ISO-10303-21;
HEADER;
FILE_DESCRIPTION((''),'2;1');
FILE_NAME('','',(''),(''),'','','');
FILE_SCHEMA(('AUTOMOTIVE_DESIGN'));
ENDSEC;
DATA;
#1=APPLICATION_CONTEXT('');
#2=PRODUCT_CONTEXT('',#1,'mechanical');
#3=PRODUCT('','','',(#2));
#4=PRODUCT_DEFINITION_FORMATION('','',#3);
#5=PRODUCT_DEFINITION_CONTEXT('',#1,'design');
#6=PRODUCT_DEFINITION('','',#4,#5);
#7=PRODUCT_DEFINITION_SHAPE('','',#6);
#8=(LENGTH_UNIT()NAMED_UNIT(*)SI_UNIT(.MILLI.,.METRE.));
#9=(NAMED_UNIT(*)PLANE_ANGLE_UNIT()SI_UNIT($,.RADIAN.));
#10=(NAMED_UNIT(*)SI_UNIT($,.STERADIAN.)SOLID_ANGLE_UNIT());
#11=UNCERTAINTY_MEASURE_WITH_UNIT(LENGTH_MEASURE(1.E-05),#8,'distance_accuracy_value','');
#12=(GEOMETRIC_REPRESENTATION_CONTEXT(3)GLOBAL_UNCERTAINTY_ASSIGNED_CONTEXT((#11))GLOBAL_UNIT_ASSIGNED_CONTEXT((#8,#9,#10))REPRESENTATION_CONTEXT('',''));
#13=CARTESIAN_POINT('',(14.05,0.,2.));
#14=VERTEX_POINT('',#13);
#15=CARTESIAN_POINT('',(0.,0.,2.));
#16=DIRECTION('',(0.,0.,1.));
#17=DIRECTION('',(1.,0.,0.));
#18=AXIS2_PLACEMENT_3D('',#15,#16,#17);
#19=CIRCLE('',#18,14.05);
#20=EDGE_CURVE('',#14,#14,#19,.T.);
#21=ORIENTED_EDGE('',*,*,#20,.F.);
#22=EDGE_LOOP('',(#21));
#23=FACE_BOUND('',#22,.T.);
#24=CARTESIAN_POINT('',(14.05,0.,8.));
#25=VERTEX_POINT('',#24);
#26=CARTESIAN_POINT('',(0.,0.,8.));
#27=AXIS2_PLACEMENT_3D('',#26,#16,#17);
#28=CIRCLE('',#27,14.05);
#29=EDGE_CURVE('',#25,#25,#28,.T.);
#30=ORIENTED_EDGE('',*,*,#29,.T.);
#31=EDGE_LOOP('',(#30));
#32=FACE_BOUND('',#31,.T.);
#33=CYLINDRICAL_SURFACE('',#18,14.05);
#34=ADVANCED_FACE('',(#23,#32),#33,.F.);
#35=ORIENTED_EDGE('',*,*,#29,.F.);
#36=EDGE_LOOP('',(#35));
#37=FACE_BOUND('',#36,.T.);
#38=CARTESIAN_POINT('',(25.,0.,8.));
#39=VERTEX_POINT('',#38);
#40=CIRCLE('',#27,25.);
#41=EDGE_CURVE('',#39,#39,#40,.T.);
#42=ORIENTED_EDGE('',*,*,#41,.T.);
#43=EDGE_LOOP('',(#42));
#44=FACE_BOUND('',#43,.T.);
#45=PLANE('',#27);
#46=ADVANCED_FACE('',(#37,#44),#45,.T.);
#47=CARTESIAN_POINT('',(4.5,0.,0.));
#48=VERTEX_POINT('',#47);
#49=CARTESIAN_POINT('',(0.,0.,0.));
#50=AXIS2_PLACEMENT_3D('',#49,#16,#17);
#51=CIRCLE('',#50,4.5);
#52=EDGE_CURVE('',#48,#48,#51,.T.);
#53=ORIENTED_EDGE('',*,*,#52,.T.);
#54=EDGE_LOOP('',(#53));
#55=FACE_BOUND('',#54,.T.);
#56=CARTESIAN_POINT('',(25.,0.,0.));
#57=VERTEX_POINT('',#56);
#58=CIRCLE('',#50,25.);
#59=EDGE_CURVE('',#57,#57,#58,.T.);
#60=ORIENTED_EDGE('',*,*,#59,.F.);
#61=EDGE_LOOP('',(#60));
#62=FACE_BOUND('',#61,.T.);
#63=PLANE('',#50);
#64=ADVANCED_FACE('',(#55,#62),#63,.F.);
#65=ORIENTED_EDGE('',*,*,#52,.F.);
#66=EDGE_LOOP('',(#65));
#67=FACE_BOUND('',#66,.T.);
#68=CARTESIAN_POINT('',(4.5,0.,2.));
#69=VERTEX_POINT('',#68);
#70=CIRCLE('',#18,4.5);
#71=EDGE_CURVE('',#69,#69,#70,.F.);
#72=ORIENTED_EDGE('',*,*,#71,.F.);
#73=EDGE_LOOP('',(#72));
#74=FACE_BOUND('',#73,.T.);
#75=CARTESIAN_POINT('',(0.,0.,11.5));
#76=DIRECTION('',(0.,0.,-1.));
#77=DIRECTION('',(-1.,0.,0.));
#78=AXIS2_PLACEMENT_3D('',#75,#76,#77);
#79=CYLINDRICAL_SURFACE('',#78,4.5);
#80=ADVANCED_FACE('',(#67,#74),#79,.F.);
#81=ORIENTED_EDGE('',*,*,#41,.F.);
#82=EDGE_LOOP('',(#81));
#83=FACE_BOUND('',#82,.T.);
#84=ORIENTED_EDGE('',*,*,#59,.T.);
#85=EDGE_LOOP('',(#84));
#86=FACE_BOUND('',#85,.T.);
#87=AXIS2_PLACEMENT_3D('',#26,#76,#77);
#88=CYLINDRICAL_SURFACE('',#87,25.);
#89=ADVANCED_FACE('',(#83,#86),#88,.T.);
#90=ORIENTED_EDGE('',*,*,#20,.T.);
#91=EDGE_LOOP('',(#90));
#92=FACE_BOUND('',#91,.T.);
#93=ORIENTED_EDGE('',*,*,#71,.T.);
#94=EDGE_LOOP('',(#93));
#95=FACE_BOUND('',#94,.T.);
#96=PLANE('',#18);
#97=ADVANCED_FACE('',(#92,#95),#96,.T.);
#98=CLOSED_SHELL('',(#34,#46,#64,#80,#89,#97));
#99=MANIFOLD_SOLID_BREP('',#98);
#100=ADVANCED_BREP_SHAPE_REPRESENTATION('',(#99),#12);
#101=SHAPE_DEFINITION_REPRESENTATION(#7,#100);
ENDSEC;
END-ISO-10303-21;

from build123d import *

# Parameters (mm, degrees)
SKETCH_1_R          = 25
EXTRUDE_1_DEPTH     = 8
SKETCH_7_R          = 14.05
CUT_EXTRUDE_6_DEPTH = 6
SKETCH_2_R          = 4.5
CUT_EXTRUDE_7_DEPTH = 11.5


with BuildPart() as part:
    # 草圖1 → 填料-伸長1 (new body)
    with BuildSketch(Plane.XY):
        Circle(SKETCH_1_R)
    extrude(amount=EXTRUDE_1_DEPTH)

    # 草圖7 → 除料-伸長6 (cut)
    with BuildSketch(Plane.XY.offset(8)):
        Circle(SKETCH_7_R)
    extrude(amount=-CUT_EXTRUDE_6_DEPTH, mode=Mode.SUBTRACT)

    # 草圖2 → 除料-伸長7 (cut)
    with BuildSketch(Plane.XY):
        Circle(SKETCH_2_R)
    extrude(amount=CUT_EXTRUDE_7_DEPTH, mode=Mode.SUBTRACT)


solid = part.part
